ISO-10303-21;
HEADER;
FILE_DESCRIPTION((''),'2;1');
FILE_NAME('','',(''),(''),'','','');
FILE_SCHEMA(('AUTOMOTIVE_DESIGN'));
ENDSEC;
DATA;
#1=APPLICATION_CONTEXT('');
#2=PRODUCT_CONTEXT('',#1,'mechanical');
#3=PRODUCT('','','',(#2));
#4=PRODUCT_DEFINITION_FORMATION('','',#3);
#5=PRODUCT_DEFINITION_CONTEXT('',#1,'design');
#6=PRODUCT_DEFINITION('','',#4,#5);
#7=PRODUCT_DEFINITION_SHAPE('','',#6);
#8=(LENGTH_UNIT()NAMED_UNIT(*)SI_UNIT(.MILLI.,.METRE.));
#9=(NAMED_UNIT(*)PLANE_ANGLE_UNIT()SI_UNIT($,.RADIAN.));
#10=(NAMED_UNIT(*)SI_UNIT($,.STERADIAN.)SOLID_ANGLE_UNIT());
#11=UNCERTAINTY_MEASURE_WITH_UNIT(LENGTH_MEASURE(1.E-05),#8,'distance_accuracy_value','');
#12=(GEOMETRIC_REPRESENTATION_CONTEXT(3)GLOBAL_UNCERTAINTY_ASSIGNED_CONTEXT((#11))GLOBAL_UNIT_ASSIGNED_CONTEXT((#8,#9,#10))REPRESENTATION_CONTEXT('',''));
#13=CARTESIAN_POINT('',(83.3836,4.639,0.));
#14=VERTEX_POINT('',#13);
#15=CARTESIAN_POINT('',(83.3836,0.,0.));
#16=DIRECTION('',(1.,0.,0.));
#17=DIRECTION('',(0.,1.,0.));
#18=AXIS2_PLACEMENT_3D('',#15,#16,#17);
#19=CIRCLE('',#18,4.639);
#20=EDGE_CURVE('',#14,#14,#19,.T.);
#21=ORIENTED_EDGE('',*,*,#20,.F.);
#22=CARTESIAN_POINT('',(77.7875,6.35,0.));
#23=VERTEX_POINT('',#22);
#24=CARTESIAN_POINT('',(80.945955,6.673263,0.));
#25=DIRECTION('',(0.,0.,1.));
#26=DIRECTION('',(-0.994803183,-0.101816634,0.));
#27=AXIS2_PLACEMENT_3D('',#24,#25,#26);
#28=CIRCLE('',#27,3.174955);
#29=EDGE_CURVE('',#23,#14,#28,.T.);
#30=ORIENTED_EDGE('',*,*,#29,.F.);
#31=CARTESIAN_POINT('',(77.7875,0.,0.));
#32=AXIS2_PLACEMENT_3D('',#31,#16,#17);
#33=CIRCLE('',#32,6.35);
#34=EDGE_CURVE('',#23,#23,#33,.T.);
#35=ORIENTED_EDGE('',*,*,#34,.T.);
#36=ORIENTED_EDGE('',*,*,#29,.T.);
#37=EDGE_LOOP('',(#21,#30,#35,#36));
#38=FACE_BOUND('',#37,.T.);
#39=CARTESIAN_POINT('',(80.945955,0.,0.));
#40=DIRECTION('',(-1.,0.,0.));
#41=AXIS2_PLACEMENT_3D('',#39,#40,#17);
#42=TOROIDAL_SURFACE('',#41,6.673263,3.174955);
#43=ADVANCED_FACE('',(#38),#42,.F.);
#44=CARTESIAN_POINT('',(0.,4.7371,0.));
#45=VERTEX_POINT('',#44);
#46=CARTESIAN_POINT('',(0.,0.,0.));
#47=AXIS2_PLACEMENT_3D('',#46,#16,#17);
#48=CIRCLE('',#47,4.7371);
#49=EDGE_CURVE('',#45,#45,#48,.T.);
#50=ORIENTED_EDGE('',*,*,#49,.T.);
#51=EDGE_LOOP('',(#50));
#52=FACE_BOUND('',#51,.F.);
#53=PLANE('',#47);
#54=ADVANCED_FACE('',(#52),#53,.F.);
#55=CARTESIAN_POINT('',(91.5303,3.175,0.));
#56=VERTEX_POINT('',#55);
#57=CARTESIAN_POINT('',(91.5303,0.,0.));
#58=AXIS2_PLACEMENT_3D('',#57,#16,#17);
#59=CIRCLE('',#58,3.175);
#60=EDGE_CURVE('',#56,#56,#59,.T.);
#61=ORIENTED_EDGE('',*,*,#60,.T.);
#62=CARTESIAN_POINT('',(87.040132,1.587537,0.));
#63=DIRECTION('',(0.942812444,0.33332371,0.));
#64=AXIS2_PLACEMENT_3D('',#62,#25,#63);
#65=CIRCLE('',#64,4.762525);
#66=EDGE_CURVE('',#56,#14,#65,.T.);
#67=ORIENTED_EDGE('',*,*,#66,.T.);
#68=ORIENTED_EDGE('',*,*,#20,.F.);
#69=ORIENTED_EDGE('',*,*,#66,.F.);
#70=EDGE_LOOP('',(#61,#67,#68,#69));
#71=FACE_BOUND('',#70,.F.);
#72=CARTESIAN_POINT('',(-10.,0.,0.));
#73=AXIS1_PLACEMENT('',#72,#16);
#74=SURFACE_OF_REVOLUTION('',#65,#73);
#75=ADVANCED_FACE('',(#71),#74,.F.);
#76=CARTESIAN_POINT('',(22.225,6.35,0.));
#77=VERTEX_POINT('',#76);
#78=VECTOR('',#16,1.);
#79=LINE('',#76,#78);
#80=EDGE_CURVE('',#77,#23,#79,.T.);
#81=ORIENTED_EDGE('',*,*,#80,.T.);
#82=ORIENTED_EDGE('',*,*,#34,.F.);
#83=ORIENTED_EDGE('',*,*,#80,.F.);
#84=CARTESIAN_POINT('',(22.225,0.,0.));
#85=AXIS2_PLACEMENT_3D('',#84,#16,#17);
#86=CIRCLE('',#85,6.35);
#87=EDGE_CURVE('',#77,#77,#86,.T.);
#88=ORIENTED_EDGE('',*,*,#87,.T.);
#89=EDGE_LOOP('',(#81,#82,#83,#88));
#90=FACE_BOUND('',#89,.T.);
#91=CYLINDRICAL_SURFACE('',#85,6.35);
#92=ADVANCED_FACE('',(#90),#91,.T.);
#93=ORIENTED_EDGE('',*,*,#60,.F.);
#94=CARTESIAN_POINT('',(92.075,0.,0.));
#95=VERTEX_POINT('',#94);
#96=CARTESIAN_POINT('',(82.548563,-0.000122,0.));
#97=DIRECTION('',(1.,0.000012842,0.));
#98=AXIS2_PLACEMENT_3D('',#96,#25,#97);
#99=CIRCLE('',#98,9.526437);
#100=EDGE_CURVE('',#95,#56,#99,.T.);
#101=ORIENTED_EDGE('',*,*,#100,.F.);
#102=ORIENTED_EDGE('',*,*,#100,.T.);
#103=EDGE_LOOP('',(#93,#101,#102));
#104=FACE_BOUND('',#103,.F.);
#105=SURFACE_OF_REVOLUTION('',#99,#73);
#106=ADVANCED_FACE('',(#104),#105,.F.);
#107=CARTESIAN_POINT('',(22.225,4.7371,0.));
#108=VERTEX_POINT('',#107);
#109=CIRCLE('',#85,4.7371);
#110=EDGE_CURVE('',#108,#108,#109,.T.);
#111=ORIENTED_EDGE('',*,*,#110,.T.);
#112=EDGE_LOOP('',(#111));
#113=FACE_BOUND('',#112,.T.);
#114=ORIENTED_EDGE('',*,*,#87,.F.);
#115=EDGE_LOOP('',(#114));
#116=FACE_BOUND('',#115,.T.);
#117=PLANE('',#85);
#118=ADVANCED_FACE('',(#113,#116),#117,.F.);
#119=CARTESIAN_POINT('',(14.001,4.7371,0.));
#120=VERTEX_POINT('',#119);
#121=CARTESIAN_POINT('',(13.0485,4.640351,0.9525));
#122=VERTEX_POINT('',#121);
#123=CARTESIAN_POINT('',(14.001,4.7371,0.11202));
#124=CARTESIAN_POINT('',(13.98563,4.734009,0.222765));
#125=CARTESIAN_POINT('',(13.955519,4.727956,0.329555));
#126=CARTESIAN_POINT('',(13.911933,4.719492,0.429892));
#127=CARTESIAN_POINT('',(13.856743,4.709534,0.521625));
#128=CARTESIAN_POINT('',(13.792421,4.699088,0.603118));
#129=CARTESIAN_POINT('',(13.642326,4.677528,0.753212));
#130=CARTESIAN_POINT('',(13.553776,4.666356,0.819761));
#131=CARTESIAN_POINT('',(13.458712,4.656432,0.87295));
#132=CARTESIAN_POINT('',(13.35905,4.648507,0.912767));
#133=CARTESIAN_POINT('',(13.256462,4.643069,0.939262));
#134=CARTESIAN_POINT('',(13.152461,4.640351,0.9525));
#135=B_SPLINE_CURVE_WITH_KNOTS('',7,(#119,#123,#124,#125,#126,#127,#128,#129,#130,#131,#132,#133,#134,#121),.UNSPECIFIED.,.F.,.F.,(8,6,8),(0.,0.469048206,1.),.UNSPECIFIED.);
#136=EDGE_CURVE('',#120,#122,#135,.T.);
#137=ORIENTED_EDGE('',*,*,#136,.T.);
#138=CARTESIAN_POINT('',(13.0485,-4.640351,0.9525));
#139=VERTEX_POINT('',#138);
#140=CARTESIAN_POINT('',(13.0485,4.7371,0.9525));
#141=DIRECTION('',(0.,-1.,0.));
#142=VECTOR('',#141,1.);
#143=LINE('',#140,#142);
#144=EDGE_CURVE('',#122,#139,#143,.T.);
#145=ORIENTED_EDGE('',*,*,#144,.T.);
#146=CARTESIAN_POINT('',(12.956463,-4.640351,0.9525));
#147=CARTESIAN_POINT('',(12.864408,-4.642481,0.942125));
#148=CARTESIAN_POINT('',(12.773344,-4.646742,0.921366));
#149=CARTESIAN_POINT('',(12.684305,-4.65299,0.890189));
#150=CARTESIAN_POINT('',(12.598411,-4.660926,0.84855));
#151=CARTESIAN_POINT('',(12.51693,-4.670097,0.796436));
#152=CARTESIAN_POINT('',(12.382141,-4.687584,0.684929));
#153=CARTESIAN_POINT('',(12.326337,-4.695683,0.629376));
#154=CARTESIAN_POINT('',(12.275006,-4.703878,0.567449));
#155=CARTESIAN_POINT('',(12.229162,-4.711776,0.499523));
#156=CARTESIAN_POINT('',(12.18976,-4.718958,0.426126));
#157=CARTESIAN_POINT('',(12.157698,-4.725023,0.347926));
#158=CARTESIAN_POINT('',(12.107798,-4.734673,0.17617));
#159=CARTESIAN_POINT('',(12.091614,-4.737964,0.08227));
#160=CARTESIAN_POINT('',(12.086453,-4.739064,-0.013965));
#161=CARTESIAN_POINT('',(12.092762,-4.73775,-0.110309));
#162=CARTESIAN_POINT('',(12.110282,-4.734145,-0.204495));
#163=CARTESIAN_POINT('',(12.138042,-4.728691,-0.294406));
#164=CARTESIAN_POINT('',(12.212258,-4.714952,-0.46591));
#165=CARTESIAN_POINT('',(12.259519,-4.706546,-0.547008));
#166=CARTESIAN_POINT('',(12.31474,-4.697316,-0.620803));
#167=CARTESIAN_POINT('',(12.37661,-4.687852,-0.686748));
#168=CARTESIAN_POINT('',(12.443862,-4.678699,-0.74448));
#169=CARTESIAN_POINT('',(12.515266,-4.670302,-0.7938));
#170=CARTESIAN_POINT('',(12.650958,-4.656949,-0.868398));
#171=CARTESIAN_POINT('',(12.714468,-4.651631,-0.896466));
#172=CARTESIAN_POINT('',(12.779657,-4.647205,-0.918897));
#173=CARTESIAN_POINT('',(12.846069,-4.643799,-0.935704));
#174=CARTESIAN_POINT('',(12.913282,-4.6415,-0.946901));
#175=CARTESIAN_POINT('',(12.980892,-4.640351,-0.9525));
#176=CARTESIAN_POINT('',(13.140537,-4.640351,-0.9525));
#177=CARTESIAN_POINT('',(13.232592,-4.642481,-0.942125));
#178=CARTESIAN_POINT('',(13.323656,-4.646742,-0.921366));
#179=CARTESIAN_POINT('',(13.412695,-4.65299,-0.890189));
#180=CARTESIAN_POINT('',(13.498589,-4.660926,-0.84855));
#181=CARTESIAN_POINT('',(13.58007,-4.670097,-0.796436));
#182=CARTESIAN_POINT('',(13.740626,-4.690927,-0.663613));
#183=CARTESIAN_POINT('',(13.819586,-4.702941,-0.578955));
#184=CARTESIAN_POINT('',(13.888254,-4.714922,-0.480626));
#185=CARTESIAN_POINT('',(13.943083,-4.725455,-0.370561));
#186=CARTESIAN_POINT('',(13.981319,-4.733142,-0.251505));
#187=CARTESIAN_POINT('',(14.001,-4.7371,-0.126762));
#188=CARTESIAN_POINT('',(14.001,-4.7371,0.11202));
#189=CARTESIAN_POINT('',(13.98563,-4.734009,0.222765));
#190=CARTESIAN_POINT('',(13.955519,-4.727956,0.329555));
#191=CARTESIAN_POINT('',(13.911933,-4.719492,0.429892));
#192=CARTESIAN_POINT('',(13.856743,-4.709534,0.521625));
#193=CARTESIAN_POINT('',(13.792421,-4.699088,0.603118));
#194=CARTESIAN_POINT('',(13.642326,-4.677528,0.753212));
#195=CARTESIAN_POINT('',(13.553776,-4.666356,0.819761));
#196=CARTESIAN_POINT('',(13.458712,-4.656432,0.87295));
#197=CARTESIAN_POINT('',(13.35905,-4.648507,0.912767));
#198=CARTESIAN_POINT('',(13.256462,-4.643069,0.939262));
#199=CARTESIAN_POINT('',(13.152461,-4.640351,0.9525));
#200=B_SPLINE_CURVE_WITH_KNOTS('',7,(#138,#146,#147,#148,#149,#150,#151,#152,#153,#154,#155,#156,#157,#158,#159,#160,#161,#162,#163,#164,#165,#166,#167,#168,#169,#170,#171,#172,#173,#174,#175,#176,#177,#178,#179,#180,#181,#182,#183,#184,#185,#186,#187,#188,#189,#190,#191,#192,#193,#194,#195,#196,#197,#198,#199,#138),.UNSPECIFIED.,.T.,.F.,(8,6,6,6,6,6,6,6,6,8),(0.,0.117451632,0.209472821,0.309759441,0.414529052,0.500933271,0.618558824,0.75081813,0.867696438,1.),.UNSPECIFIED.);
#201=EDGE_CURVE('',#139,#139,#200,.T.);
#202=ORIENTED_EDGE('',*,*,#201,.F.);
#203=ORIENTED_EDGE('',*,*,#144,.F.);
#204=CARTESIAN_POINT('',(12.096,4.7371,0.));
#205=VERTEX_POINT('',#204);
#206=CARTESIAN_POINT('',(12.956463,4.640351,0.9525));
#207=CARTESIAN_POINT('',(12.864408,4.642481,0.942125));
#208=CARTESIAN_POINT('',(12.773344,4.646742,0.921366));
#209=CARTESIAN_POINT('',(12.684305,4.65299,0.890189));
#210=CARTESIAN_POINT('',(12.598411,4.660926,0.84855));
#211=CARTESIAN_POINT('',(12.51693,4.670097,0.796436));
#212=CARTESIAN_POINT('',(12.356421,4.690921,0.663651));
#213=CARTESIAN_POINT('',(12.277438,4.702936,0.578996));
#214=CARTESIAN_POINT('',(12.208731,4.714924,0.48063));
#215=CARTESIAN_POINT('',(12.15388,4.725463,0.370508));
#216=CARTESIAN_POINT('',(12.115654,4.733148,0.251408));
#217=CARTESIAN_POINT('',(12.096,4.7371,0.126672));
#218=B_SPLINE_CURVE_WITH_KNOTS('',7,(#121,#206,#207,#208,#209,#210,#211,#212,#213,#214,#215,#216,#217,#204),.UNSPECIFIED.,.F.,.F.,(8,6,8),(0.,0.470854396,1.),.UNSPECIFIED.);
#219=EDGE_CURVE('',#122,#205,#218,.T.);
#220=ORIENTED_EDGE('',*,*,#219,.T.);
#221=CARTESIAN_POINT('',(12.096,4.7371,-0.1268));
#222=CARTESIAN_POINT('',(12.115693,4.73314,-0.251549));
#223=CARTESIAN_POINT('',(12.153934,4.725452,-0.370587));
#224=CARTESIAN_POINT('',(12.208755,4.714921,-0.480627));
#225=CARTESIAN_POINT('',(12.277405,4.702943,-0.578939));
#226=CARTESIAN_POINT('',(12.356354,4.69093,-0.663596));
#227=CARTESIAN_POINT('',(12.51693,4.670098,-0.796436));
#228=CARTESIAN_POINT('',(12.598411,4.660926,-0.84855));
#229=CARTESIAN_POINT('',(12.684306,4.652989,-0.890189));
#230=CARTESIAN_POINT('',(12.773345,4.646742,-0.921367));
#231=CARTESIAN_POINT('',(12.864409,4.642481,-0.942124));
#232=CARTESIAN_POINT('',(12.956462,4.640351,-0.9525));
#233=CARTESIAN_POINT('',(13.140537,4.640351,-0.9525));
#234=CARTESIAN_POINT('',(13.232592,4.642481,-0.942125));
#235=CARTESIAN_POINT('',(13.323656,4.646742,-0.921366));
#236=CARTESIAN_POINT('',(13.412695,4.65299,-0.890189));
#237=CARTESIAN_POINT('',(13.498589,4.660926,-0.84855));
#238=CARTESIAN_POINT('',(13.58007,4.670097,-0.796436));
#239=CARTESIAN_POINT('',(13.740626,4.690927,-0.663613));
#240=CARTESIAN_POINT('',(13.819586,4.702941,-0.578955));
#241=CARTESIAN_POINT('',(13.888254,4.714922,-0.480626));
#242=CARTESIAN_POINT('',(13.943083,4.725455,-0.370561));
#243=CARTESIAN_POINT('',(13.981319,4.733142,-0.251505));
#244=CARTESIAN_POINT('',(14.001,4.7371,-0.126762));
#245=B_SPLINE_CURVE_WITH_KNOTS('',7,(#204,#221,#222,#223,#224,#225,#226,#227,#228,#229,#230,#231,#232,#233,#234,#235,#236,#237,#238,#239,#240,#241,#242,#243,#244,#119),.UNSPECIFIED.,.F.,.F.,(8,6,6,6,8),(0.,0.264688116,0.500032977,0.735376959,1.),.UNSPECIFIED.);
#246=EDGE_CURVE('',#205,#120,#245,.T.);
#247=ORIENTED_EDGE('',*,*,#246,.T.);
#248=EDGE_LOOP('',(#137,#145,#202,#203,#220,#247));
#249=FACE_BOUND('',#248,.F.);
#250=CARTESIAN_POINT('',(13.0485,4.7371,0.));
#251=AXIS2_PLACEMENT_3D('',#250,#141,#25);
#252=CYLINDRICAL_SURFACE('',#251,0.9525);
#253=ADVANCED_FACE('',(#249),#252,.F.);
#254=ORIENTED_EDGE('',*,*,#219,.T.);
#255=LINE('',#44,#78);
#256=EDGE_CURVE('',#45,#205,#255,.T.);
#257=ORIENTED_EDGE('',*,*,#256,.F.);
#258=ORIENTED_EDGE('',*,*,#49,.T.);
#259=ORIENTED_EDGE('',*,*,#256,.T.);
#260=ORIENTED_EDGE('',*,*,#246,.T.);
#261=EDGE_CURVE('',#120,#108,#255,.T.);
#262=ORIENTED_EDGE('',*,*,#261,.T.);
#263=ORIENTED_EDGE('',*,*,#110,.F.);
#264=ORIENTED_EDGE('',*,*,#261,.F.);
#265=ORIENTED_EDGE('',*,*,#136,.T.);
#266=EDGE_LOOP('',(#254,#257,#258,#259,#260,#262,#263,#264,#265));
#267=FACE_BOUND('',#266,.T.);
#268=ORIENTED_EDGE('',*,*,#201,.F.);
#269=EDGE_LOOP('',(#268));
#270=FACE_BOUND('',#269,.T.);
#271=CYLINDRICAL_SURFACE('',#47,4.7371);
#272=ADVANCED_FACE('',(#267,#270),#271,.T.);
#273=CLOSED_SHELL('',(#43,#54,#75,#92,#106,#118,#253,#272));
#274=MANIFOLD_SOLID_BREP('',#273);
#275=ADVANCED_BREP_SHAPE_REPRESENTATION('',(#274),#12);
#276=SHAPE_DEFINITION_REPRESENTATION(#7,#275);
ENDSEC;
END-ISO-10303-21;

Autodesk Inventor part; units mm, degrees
ref_plane "YZ Plane" through (0, 0, 0) normal (1, 0, 0) x (0, 1, 0)
ref_plane "XZ Plane" through (0, 0, 0) normal (0, 1, 0) x (-1, 0, 0)
sketch "Sketch1" plane through (0, 0, 0) normal (0, 0, 1) x (1, 0, 0)
  line L0 (0, 4.7371) -> (22.225, 4.7371)
  line L1 (22.225, 4.7371) -> (22.225, 6.35)
  line L2 (22.225, 6.35) -> (77.7875, 6.35)
  line L3 (92.075, 6.35) -> (92.075, 0) construction
  line L4 (0, -1.4014) -> (0, 8.4083) construction
  line L5 (-18.7746, 0) -> (112.6474, 0) construction
  line L6 (83.9918, 6.35) -> (93.8728, 6.35) construction
  arc A0 (77.7875, 6.35) -> (83.3836, 4.639) centre (80.946, 6.6733) ccw
  arc A1 (92.075, 0) -> (91.5303, 3.175) centre (82.55, 0) ccw
  arc A2 (91.5303, 3.175) -> (83.3836, 4.639) centre (87.0401, 1.5875) ccw
  line L7 (0, 4.7371) -> (0, 0)
  line L8 (92.075, 0) -> (0, 0)
  dimension "d0" = 92.075
  dimension "d1" = 0
  dimension "d2" = 22.225
  dimension "d3" = 55.5625
  dimension "d4" = 9.4742
  dimension "d5" = 12.7
  dimension "d6" = 12.7
  dimension "d12" = 4.7625
  dimension "d13" = 4.7625
  dimension "d14" = 3.175
  dimension "d15" = 9.525
revolve "Revolution1" add sketch "Sketch1" angle 360 about axis through (-10, 0, 0) along (1, 0, 0)
thread "Thread1" size "1/2-13 UNC" class "2A" standard "ANSI Unified Screw Threads" full length
ref_plane "Work Plane1" through (0, 4.7371, 0) normal (0, 1, 0) x (-1, 0, 0)
sketch "Sketch2" plane through (0, 4.7371, 0) normal (0, 1, 0) x (-1, 0, 0)
  point P0 (0, 0)
  point P1 (-13.0485, 0)
hole "Hole1" at (13.0485, 4.7371, 0) direction (0, -1, 0) diameter 1.905 end through all
properties part number "Tornillo de apriete" material "Aluminum 6061-AHC"
